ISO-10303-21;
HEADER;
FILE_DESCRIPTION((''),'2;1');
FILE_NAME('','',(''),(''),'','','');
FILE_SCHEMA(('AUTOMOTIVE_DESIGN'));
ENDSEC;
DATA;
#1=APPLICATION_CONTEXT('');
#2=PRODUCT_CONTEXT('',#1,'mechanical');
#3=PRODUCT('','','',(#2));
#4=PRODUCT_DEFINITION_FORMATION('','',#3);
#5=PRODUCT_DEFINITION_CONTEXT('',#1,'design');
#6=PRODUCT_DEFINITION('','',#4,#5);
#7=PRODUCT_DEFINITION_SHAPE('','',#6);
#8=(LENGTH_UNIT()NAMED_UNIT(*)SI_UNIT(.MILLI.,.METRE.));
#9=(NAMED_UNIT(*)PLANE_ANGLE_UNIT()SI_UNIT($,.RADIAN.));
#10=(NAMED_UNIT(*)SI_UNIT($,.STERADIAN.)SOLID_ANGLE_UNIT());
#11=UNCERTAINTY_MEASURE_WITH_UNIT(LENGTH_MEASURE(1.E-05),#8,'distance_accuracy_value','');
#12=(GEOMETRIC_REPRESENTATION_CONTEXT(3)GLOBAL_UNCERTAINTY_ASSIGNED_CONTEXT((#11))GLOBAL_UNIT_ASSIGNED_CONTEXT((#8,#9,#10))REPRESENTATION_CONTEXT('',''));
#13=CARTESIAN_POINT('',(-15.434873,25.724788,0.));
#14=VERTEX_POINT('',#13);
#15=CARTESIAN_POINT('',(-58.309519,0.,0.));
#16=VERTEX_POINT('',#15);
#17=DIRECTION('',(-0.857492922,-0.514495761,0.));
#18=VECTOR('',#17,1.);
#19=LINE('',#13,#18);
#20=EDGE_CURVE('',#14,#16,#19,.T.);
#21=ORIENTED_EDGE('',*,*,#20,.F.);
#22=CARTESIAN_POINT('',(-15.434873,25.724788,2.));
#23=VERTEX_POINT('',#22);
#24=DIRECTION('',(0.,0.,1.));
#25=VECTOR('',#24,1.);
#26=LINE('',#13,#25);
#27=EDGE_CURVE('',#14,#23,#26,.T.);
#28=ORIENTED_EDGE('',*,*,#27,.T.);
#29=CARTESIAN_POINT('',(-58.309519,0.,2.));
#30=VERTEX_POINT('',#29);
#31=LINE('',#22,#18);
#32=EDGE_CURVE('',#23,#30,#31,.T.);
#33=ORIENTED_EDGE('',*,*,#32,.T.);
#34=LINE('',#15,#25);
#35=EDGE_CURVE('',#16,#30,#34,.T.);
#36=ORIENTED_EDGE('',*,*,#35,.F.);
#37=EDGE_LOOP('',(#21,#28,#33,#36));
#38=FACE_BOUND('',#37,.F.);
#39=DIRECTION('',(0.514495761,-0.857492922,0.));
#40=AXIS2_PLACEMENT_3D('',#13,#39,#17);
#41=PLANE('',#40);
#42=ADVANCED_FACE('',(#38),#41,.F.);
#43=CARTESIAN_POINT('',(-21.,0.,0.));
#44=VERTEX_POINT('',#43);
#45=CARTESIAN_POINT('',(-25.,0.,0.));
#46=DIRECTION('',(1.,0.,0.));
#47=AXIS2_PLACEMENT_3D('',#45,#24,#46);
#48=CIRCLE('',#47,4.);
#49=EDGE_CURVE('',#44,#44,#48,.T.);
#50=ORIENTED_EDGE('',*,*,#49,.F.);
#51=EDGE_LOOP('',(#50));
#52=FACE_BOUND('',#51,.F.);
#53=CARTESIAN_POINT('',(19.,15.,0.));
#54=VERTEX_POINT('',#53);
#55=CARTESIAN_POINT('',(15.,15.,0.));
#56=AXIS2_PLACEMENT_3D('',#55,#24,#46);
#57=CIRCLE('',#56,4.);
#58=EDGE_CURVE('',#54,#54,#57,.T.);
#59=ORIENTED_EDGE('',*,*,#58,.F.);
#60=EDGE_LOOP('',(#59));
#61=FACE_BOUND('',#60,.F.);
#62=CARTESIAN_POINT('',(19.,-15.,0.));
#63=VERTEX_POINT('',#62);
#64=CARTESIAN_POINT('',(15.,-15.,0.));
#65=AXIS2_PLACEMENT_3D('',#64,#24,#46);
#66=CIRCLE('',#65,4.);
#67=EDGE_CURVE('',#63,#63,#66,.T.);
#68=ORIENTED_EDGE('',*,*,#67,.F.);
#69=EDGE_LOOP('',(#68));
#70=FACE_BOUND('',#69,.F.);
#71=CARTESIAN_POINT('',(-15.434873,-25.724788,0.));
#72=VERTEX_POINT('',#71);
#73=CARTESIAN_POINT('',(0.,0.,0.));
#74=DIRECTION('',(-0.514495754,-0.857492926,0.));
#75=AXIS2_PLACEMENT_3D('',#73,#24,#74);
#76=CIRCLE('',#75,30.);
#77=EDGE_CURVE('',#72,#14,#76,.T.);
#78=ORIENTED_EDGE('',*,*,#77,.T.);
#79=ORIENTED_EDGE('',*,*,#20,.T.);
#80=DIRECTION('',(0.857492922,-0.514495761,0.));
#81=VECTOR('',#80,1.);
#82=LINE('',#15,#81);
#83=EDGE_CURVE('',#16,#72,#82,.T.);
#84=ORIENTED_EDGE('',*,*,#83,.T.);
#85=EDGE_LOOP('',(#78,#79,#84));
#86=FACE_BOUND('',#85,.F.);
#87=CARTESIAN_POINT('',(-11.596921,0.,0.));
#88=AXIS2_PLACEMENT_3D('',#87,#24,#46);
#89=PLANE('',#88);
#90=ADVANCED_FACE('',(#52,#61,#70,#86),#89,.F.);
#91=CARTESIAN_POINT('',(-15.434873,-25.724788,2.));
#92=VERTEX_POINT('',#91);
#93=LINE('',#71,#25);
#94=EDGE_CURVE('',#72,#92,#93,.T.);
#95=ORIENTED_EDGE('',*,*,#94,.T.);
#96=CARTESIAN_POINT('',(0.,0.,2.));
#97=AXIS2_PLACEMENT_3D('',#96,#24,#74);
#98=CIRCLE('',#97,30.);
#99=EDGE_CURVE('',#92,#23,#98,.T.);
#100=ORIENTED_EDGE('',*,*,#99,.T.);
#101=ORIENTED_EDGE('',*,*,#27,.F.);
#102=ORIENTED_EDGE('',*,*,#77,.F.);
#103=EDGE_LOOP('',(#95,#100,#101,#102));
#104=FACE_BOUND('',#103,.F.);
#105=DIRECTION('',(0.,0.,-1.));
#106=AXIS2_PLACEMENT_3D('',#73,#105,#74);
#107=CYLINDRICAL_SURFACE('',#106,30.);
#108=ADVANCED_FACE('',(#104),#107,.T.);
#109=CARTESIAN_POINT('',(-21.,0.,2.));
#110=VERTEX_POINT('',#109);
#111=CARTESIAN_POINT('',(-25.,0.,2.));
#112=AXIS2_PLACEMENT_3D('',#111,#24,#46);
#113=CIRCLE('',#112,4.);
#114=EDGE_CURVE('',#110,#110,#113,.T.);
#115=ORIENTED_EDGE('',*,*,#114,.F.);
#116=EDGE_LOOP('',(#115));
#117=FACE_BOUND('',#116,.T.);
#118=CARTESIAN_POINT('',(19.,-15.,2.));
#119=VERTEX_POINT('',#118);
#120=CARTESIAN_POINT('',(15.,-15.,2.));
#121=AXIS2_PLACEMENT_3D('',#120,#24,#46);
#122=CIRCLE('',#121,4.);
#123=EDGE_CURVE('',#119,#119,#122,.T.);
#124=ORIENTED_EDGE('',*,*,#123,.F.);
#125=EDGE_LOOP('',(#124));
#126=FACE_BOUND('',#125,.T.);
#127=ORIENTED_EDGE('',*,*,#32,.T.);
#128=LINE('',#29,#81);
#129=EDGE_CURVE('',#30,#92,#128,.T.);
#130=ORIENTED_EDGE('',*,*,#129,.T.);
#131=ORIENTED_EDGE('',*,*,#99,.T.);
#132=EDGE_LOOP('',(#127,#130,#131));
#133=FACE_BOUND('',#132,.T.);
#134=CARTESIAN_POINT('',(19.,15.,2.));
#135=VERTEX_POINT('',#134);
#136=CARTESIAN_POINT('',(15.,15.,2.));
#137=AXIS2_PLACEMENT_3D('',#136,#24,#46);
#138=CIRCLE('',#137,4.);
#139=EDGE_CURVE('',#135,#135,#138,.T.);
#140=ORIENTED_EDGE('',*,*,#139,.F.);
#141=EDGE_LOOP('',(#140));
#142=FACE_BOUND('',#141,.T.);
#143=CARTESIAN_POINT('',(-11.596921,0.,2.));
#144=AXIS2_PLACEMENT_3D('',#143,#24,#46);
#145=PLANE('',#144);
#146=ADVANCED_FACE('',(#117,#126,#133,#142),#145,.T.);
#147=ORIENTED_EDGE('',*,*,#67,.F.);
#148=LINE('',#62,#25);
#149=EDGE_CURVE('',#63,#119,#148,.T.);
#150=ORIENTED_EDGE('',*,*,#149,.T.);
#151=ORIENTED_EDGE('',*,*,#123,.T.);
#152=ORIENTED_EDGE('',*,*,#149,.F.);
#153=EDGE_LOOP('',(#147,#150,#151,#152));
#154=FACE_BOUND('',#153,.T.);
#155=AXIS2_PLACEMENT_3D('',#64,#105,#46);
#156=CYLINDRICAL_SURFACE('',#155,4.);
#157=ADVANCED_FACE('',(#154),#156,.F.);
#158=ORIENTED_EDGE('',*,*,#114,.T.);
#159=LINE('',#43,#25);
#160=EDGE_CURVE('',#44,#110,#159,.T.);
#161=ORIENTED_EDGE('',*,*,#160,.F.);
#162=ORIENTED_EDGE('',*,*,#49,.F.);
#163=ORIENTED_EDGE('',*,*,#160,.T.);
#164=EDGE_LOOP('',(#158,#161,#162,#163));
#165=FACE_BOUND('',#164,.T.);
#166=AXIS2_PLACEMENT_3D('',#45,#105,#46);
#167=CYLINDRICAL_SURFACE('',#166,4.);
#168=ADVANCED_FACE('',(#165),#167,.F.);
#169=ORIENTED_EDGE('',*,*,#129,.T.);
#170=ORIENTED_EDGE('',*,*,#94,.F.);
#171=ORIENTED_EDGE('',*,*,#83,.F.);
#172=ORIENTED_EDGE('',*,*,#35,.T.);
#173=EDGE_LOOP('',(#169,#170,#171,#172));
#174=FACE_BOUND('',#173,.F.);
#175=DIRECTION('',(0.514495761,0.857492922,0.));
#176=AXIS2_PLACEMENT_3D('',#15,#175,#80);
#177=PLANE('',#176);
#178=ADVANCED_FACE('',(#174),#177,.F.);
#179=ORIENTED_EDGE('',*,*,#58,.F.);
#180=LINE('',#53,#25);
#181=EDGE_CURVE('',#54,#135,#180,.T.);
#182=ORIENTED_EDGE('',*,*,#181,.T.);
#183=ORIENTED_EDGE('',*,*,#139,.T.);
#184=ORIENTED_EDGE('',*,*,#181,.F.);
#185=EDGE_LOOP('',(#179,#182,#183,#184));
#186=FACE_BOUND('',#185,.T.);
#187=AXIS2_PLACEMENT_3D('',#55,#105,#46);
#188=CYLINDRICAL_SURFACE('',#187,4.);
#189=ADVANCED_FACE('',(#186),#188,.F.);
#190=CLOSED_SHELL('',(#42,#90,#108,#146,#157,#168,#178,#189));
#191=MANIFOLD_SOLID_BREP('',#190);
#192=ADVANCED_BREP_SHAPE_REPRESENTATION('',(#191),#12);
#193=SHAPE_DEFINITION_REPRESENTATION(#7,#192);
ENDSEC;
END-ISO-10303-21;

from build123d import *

# Parameters (mm, degrees)
F0_R     = 4
F1_DEPTH = 2


with BuildPart() as f1:
    # F0 (on Top) → F1 (new body)
    with BuildSketch(Plane.XY):
        with BuildLine():
            Line((-15.434873, 25.724788), (-58.309519, 0))
            Line((-58.309519, 0), (-15.434873, -25.724788))
            ThreePointArc((-15.434873, -25.724788), (30, 0), (-15.434873, 25.724788))
        make_face()
        with Locations((15, -15)):
            Circle(F0_R, mode=Mode.SUBTRACT)
        with Locations((-25, 0)):
            Circle(F0_R, mode=Mode.SUBTRACT)
        with Locations((15, 15)):
            Circle(F0_R, mode=Mode.SUBTRACT)
    extrude(amount=F1_DEPTH)


solid = f1.part
